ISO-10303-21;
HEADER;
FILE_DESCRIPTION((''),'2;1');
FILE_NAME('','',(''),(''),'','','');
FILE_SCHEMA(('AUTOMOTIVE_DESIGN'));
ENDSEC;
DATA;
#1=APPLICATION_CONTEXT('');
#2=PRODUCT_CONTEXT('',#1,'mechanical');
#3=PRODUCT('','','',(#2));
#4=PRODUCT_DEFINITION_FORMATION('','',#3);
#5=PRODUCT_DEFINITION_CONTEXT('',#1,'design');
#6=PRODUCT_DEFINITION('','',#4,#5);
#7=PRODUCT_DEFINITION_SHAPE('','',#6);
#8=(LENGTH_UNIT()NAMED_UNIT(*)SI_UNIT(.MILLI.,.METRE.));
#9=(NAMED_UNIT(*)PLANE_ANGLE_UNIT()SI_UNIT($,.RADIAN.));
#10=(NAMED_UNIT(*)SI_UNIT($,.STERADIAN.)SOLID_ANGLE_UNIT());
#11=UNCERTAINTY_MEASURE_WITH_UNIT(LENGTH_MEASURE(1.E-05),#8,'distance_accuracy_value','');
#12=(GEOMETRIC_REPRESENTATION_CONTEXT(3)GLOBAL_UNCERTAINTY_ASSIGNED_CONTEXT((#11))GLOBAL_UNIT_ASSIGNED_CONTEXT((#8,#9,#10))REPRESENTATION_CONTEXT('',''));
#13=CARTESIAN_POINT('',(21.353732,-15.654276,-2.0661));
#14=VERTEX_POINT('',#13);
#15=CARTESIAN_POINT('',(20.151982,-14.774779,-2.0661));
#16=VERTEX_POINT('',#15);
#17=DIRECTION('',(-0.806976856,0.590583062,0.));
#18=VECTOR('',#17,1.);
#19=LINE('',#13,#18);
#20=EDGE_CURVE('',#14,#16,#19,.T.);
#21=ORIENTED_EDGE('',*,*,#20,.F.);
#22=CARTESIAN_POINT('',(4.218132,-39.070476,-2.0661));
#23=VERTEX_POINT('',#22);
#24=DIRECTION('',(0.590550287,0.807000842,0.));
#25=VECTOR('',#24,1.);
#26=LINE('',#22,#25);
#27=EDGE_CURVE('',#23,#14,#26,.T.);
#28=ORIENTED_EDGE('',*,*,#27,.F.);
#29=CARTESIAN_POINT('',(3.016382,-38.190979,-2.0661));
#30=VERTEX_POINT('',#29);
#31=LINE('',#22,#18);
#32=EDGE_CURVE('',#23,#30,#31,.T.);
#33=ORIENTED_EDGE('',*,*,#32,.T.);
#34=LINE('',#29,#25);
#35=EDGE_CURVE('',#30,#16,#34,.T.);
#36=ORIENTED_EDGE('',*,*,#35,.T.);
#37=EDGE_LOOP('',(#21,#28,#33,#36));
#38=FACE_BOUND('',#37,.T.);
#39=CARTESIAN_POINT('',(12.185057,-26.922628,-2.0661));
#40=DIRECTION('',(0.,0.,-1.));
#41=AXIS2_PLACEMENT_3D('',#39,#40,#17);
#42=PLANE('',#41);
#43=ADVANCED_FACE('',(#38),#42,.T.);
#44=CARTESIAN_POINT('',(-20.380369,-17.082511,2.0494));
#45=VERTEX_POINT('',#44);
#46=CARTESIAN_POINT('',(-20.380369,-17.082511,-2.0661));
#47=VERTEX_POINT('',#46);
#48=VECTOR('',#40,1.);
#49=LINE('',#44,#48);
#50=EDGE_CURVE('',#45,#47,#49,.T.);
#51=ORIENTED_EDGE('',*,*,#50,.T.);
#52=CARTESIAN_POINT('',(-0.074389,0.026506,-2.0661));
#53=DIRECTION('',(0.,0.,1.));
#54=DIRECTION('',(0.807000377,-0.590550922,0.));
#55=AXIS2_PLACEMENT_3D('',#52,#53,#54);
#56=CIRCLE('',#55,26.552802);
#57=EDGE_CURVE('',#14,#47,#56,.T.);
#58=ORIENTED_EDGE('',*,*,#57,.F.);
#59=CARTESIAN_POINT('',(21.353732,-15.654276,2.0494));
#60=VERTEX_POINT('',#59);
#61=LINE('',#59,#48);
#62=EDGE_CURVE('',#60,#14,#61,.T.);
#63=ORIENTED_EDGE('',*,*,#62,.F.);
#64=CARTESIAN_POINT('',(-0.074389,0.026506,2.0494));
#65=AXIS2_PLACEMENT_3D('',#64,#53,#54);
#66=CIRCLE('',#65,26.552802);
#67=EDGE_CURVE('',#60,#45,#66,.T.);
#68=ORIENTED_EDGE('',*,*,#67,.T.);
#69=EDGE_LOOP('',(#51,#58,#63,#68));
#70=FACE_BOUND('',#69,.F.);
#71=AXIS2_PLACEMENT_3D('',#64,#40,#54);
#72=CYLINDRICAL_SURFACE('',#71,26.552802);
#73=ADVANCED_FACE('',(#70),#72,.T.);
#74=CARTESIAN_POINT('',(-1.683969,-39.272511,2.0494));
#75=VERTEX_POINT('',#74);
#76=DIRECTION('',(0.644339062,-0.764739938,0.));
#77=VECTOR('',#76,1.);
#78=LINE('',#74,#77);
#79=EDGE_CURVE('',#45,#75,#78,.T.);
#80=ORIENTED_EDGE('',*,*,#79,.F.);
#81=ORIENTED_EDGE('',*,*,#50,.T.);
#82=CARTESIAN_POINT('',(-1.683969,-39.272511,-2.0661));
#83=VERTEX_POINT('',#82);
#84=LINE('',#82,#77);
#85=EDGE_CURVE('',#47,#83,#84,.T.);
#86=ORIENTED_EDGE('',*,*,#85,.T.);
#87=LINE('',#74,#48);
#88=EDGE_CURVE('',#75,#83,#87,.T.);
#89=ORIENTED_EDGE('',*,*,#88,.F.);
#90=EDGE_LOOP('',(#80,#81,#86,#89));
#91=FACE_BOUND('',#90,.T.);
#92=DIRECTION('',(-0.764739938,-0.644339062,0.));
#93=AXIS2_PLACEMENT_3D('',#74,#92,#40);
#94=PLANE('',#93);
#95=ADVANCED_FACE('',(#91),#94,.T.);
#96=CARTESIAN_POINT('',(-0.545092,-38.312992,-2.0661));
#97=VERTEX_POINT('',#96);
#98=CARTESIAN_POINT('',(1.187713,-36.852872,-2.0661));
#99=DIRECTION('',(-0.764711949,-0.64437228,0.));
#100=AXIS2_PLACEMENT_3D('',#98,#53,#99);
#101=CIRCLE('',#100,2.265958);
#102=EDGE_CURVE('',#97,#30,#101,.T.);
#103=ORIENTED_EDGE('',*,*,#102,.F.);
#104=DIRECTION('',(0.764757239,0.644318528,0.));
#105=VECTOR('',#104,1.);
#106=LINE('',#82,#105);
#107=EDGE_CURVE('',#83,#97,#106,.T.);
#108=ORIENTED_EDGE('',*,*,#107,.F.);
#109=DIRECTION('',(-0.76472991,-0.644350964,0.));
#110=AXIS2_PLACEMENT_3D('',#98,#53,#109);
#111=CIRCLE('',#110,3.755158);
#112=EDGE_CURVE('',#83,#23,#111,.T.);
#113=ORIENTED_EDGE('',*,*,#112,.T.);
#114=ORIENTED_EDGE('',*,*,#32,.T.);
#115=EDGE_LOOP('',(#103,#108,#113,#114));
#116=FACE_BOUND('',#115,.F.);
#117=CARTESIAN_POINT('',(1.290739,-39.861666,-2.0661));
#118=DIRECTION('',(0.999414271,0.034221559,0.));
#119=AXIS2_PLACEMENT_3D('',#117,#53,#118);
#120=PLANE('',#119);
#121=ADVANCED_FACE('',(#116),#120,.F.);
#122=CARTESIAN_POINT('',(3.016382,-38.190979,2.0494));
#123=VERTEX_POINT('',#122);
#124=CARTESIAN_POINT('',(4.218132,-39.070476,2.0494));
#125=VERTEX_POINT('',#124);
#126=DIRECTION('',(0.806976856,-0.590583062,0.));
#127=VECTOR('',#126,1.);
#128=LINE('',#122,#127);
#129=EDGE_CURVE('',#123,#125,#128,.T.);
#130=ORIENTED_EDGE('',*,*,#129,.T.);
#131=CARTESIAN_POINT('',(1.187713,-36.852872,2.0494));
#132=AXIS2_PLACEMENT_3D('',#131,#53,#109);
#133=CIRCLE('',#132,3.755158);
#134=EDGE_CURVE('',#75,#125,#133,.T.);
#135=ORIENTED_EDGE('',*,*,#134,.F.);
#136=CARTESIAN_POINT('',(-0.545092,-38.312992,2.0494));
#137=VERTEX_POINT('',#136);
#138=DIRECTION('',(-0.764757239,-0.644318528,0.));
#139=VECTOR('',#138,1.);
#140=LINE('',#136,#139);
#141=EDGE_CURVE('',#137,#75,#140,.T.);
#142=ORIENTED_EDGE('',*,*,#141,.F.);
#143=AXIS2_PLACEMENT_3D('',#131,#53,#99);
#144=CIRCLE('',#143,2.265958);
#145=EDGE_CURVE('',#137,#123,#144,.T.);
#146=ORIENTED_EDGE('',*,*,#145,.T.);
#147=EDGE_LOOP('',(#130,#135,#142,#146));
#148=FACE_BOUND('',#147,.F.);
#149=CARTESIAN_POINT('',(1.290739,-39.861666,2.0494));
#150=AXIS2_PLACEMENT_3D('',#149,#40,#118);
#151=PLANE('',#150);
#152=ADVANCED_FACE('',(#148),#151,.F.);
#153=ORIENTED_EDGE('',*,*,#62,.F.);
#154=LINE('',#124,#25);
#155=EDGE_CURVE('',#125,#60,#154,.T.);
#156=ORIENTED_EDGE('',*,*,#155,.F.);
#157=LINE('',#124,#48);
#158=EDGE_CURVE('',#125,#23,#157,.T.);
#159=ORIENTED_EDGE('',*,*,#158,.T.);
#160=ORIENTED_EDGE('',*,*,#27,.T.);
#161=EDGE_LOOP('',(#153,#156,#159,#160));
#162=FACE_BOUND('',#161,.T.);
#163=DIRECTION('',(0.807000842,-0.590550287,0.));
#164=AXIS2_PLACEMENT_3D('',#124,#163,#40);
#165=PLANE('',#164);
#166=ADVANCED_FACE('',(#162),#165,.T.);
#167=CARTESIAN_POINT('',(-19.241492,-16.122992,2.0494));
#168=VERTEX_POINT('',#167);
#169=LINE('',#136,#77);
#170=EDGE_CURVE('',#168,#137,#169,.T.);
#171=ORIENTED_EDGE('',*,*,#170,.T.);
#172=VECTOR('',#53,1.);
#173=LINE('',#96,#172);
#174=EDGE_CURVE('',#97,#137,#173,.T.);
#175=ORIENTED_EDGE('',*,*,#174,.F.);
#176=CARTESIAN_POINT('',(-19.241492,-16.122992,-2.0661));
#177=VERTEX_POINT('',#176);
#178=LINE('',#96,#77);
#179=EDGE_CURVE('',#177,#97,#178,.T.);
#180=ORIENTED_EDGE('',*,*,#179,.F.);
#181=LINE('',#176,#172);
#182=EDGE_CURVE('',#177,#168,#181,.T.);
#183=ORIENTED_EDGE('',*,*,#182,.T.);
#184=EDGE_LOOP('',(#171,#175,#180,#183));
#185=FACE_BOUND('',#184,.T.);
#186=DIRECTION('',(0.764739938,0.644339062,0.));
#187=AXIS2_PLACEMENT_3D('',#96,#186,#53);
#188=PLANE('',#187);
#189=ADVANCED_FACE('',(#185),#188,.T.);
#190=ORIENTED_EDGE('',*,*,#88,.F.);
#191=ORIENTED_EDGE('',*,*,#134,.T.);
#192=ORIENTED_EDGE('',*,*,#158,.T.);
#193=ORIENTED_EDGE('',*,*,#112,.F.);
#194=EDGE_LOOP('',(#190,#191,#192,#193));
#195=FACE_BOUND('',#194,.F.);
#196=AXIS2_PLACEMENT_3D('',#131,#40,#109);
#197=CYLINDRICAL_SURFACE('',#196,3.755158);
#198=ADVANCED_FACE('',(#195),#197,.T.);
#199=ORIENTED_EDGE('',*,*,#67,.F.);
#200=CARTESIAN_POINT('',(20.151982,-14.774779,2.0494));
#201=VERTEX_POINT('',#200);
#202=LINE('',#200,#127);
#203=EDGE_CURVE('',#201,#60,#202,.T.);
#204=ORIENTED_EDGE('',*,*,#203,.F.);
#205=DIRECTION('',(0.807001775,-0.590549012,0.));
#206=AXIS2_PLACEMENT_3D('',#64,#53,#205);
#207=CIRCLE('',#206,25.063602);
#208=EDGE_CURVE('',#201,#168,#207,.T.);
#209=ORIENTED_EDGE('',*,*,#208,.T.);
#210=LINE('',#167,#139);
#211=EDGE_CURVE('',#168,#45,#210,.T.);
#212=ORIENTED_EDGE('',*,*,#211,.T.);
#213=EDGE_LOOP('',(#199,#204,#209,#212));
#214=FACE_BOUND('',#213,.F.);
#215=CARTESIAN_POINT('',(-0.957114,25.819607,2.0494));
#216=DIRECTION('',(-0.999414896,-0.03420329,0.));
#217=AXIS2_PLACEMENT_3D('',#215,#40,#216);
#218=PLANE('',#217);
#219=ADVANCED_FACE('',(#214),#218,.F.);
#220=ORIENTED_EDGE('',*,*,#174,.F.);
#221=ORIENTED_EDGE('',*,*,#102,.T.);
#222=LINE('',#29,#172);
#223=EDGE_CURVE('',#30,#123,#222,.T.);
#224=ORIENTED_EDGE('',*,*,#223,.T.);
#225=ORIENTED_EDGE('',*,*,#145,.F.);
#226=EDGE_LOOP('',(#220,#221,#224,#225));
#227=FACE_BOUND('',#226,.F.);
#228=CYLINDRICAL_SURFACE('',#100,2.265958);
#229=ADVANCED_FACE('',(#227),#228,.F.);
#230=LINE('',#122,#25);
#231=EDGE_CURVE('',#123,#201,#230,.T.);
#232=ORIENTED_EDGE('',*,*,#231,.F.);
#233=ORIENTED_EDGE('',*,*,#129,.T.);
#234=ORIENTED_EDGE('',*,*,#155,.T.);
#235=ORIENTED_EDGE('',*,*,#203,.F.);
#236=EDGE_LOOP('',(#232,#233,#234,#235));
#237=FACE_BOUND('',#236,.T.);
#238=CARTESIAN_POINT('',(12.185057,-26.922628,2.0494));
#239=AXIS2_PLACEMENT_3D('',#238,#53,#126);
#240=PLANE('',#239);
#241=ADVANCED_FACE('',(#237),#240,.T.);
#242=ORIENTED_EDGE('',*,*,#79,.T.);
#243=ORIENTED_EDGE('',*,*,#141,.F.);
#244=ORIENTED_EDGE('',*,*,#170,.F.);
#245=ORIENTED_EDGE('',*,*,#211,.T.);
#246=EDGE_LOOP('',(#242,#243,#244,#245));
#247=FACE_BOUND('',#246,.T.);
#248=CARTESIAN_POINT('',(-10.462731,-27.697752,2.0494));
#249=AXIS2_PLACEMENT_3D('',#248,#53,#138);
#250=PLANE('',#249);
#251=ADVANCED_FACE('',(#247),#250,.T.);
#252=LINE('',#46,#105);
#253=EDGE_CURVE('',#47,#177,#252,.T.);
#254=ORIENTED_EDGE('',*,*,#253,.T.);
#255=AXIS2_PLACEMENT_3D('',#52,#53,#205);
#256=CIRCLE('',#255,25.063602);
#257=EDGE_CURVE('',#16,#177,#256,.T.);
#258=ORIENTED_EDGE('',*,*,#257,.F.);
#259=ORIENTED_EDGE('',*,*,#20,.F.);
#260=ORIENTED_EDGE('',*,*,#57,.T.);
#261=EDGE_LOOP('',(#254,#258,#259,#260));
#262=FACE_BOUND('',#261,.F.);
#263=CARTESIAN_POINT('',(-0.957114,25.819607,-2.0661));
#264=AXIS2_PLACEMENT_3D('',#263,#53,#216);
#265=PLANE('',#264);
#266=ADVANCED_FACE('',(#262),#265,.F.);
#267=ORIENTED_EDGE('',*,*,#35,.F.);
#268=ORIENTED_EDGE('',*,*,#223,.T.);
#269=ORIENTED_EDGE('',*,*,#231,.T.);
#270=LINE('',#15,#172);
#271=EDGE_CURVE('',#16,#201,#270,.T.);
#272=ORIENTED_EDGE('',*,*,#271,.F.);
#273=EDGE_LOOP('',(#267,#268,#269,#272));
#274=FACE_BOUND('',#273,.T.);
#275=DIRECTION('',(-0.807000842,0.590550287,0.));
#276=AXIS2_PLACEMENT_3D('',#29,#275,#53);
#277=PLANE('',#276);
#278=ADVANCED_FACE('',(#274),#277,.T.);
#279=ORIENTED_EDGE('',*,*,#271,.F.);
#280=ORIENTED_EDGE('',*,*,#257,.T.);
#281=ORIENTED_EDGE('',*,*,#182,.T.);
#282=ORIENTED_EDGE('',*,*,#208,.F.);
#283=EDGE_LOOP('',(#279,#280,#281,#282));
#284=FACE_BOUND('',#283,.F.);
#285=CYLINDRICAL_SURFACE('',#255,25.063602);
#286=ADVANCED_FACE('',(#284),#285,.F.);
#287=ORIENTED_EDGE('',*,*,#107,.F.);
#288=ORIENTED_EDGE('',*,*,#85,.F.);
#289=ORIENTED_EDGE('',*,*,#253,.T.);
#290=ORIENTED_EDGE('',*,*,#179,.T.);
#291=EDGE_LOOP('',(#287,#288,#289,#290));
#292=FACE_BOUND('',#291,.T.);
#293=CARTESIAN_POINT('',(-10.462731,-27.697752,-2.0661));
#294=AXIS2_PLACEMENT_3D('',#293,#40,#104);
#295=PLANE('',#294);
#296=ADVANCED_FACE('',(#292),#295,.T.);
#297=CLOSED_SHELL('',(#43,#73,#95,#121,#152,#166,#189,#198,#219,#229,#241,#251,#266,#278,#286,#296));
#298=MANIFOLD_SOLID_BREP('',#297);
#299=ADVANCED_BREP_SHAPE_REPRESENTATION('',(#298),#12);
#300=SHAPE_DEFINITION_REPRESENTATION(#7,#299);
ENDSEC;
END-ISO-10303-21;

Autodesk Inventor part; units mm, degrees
ref_plane "YZ Plane" through (0, 0, 0) normal (1, 0, 0) x (0, 1, 0)
ref_plane "XZ Plane" through (0, 0, 0) normal (0, 1, 0) x (-1, 0, 0)
ref_plane "XY Plane" through (0, 0, 0) normal (0, 0, 1) x (1, 0, 0)
sketch "Sketch1" plane through (0, 0, 0) normal (0, 0, 1) x (1, 0, 0)
  arc A0 (21.0123, -15.4044) -> (-20.0568, -16.8099) centre (-0.0744, 0.0265) ccw
  arc A1 (-1.3604, -38.9999) -> (3.8767, -38.8206) centre (1.1877, -36.8529) ccw
  line L0 (-1.3604, -38.9999) -> (-20.0568, -16.8099)
  line L1 (3.8767, -38.8206) -> (21.0123, -15.4044)
  point P0 (0, 0)
ref_plane "Work Plane1" through (21.0123, -15.4044, 0) normal (0.5906, 0.807, 0) x (-0.807, 0.5906, 0)
sketch "Sketch2" plane through (21.0123, -15.4044, 0) normal (0.5906, 0.807, 0) x (-0.807, 0.5906, 0)
  line L0 (1.0661, 2.0494) -> (-0.4231, 2.0494)
  line L1 (-0.4231, 2.0494) -> (-0.4231, -2.0661)
  line L2 (-0.4231, -2.0661) -> (1.0661, -2.0661)
  line L3 (1.0661, -2.0661) -> (1.0661, 2.0494)
  point P0 (26.054, 0)
sweep "Sweep1" add profiles "Sketch2" path "Sketch1"
properties part number "belt"
